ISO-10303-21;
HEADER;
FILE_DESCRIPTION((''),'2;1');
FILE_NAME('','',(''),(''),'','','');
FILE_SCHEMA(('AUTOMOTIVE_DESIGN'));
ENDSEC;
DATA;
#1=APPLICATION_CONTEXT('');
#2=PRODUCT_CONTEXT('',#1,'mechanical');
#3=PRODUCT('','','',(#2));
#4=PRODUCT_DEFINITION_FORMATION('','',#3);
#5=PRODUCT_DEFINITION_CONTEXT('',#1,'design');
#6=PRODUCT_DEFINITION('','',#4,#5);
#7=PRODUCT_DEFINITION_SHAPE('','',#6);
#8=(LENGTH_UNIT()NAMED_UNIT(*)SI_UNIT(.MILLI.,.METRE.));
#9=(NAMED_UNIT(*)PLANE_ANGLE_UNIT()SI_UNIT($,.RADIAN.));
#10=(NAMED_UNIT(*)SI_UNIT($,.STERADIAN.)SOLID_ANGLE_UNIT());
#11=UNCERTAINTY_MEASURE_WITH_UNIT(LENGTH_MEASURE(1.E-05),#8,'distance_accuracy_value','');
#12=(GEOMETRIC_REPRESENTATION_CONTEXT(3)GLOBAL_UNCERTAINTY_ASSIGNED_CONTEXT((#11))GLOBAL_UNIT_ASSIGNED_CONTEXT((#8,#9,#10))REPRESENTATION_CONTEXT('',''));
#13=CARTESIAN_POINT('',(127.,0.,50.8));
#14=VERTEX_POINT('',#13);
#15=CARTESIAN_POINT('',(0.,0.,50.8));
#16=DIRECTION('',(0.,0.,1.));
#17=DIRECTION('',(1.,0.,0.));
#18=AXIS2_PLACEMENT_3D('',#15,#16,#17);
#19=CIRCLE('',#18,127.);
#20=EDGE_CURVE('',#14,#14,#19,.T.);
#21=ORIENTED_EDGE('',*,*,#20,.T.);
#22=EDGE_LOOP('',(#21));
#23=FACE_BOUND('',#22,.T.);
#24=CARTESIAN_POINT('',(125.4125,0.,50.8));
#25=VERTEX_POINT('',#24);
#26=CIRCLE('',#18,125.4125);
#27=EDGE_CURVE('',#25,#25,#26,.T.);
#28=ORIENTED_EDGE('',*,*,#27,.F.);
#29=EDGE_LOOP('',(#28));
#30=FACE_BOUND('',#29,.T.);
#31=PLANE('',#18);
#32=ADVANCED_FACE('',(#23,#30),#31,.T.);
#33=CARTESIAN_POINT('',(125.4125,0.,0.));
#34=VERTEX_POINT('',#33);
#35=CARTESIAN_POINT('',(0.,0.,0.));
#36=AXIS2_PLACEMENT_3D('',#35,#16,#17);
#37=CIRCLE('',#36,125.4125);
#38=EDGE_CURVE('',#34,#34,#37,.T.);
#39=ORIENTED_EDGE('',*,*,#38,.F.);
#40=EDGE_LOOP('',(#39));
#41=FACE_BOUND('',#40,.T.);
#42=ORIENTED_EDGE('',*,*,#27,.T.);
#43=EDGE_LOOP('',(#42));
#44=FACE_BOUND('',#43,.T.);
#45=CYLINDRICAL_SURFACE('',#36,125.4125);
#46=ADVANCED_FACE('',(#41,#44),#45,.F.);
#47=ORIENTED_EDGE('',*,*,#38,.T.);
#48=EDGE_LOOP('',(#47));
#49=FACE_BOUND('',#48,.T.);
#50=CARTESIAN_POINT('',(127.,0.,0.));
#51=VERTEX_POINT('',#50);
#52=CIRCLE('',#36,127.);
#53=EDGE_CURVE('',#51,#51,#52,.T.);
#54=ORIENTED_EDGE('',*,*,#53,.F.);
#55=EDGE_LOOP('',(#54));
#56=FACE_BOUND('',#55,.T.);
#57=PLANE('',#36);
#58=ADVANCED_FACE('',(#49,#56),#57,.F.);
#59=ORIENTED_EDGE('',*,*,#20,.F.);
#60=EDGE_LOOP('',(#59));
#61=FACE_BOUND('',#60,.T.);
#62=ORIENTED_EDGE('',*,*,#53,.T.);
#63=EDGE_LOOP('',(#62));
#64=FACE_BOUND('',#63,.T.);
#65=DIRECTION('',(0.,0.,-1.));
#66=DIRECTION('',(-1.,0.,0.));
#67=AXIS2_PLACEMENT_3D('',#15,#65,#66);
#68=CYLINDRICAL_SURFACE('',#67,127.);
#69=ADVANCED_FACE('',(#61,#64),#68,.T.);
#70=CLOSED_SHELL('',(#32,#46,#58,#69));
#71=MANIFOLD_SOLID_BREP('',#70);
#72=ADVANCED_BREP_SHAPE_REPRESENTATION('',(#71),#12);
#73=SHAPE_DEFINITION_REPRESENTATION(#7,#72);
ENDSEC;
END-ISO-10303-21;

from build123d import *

# Parameters (mm, degrees)
SKETCH1_R           = 127
BOSS_EXTRUDE1_DEPTH = 50.8
SKETCH2_R           = 125.4125
CUT_EXTRUDE1_DEPTH  = 50.8


with BuildPart() as part:
    # Sketch1 → Boss-Extrude1 (new body)
    with BuildSketch(Plane.XY):
        Circle(SKETCH1_R)
    extrude(amount=BOSS_EXTRUDE1_DEPTH)

    # Sketch2 → Cut-Extrude1 (cut)
    with BuildSketch(Plane.XY.offset(50.8)):
        Circle(SKETCH2_R)
    extrude(amount=-CUT_EXTRUDE1_DEPTH, mode=Mode.SUBTRACT)


solid = part.part
